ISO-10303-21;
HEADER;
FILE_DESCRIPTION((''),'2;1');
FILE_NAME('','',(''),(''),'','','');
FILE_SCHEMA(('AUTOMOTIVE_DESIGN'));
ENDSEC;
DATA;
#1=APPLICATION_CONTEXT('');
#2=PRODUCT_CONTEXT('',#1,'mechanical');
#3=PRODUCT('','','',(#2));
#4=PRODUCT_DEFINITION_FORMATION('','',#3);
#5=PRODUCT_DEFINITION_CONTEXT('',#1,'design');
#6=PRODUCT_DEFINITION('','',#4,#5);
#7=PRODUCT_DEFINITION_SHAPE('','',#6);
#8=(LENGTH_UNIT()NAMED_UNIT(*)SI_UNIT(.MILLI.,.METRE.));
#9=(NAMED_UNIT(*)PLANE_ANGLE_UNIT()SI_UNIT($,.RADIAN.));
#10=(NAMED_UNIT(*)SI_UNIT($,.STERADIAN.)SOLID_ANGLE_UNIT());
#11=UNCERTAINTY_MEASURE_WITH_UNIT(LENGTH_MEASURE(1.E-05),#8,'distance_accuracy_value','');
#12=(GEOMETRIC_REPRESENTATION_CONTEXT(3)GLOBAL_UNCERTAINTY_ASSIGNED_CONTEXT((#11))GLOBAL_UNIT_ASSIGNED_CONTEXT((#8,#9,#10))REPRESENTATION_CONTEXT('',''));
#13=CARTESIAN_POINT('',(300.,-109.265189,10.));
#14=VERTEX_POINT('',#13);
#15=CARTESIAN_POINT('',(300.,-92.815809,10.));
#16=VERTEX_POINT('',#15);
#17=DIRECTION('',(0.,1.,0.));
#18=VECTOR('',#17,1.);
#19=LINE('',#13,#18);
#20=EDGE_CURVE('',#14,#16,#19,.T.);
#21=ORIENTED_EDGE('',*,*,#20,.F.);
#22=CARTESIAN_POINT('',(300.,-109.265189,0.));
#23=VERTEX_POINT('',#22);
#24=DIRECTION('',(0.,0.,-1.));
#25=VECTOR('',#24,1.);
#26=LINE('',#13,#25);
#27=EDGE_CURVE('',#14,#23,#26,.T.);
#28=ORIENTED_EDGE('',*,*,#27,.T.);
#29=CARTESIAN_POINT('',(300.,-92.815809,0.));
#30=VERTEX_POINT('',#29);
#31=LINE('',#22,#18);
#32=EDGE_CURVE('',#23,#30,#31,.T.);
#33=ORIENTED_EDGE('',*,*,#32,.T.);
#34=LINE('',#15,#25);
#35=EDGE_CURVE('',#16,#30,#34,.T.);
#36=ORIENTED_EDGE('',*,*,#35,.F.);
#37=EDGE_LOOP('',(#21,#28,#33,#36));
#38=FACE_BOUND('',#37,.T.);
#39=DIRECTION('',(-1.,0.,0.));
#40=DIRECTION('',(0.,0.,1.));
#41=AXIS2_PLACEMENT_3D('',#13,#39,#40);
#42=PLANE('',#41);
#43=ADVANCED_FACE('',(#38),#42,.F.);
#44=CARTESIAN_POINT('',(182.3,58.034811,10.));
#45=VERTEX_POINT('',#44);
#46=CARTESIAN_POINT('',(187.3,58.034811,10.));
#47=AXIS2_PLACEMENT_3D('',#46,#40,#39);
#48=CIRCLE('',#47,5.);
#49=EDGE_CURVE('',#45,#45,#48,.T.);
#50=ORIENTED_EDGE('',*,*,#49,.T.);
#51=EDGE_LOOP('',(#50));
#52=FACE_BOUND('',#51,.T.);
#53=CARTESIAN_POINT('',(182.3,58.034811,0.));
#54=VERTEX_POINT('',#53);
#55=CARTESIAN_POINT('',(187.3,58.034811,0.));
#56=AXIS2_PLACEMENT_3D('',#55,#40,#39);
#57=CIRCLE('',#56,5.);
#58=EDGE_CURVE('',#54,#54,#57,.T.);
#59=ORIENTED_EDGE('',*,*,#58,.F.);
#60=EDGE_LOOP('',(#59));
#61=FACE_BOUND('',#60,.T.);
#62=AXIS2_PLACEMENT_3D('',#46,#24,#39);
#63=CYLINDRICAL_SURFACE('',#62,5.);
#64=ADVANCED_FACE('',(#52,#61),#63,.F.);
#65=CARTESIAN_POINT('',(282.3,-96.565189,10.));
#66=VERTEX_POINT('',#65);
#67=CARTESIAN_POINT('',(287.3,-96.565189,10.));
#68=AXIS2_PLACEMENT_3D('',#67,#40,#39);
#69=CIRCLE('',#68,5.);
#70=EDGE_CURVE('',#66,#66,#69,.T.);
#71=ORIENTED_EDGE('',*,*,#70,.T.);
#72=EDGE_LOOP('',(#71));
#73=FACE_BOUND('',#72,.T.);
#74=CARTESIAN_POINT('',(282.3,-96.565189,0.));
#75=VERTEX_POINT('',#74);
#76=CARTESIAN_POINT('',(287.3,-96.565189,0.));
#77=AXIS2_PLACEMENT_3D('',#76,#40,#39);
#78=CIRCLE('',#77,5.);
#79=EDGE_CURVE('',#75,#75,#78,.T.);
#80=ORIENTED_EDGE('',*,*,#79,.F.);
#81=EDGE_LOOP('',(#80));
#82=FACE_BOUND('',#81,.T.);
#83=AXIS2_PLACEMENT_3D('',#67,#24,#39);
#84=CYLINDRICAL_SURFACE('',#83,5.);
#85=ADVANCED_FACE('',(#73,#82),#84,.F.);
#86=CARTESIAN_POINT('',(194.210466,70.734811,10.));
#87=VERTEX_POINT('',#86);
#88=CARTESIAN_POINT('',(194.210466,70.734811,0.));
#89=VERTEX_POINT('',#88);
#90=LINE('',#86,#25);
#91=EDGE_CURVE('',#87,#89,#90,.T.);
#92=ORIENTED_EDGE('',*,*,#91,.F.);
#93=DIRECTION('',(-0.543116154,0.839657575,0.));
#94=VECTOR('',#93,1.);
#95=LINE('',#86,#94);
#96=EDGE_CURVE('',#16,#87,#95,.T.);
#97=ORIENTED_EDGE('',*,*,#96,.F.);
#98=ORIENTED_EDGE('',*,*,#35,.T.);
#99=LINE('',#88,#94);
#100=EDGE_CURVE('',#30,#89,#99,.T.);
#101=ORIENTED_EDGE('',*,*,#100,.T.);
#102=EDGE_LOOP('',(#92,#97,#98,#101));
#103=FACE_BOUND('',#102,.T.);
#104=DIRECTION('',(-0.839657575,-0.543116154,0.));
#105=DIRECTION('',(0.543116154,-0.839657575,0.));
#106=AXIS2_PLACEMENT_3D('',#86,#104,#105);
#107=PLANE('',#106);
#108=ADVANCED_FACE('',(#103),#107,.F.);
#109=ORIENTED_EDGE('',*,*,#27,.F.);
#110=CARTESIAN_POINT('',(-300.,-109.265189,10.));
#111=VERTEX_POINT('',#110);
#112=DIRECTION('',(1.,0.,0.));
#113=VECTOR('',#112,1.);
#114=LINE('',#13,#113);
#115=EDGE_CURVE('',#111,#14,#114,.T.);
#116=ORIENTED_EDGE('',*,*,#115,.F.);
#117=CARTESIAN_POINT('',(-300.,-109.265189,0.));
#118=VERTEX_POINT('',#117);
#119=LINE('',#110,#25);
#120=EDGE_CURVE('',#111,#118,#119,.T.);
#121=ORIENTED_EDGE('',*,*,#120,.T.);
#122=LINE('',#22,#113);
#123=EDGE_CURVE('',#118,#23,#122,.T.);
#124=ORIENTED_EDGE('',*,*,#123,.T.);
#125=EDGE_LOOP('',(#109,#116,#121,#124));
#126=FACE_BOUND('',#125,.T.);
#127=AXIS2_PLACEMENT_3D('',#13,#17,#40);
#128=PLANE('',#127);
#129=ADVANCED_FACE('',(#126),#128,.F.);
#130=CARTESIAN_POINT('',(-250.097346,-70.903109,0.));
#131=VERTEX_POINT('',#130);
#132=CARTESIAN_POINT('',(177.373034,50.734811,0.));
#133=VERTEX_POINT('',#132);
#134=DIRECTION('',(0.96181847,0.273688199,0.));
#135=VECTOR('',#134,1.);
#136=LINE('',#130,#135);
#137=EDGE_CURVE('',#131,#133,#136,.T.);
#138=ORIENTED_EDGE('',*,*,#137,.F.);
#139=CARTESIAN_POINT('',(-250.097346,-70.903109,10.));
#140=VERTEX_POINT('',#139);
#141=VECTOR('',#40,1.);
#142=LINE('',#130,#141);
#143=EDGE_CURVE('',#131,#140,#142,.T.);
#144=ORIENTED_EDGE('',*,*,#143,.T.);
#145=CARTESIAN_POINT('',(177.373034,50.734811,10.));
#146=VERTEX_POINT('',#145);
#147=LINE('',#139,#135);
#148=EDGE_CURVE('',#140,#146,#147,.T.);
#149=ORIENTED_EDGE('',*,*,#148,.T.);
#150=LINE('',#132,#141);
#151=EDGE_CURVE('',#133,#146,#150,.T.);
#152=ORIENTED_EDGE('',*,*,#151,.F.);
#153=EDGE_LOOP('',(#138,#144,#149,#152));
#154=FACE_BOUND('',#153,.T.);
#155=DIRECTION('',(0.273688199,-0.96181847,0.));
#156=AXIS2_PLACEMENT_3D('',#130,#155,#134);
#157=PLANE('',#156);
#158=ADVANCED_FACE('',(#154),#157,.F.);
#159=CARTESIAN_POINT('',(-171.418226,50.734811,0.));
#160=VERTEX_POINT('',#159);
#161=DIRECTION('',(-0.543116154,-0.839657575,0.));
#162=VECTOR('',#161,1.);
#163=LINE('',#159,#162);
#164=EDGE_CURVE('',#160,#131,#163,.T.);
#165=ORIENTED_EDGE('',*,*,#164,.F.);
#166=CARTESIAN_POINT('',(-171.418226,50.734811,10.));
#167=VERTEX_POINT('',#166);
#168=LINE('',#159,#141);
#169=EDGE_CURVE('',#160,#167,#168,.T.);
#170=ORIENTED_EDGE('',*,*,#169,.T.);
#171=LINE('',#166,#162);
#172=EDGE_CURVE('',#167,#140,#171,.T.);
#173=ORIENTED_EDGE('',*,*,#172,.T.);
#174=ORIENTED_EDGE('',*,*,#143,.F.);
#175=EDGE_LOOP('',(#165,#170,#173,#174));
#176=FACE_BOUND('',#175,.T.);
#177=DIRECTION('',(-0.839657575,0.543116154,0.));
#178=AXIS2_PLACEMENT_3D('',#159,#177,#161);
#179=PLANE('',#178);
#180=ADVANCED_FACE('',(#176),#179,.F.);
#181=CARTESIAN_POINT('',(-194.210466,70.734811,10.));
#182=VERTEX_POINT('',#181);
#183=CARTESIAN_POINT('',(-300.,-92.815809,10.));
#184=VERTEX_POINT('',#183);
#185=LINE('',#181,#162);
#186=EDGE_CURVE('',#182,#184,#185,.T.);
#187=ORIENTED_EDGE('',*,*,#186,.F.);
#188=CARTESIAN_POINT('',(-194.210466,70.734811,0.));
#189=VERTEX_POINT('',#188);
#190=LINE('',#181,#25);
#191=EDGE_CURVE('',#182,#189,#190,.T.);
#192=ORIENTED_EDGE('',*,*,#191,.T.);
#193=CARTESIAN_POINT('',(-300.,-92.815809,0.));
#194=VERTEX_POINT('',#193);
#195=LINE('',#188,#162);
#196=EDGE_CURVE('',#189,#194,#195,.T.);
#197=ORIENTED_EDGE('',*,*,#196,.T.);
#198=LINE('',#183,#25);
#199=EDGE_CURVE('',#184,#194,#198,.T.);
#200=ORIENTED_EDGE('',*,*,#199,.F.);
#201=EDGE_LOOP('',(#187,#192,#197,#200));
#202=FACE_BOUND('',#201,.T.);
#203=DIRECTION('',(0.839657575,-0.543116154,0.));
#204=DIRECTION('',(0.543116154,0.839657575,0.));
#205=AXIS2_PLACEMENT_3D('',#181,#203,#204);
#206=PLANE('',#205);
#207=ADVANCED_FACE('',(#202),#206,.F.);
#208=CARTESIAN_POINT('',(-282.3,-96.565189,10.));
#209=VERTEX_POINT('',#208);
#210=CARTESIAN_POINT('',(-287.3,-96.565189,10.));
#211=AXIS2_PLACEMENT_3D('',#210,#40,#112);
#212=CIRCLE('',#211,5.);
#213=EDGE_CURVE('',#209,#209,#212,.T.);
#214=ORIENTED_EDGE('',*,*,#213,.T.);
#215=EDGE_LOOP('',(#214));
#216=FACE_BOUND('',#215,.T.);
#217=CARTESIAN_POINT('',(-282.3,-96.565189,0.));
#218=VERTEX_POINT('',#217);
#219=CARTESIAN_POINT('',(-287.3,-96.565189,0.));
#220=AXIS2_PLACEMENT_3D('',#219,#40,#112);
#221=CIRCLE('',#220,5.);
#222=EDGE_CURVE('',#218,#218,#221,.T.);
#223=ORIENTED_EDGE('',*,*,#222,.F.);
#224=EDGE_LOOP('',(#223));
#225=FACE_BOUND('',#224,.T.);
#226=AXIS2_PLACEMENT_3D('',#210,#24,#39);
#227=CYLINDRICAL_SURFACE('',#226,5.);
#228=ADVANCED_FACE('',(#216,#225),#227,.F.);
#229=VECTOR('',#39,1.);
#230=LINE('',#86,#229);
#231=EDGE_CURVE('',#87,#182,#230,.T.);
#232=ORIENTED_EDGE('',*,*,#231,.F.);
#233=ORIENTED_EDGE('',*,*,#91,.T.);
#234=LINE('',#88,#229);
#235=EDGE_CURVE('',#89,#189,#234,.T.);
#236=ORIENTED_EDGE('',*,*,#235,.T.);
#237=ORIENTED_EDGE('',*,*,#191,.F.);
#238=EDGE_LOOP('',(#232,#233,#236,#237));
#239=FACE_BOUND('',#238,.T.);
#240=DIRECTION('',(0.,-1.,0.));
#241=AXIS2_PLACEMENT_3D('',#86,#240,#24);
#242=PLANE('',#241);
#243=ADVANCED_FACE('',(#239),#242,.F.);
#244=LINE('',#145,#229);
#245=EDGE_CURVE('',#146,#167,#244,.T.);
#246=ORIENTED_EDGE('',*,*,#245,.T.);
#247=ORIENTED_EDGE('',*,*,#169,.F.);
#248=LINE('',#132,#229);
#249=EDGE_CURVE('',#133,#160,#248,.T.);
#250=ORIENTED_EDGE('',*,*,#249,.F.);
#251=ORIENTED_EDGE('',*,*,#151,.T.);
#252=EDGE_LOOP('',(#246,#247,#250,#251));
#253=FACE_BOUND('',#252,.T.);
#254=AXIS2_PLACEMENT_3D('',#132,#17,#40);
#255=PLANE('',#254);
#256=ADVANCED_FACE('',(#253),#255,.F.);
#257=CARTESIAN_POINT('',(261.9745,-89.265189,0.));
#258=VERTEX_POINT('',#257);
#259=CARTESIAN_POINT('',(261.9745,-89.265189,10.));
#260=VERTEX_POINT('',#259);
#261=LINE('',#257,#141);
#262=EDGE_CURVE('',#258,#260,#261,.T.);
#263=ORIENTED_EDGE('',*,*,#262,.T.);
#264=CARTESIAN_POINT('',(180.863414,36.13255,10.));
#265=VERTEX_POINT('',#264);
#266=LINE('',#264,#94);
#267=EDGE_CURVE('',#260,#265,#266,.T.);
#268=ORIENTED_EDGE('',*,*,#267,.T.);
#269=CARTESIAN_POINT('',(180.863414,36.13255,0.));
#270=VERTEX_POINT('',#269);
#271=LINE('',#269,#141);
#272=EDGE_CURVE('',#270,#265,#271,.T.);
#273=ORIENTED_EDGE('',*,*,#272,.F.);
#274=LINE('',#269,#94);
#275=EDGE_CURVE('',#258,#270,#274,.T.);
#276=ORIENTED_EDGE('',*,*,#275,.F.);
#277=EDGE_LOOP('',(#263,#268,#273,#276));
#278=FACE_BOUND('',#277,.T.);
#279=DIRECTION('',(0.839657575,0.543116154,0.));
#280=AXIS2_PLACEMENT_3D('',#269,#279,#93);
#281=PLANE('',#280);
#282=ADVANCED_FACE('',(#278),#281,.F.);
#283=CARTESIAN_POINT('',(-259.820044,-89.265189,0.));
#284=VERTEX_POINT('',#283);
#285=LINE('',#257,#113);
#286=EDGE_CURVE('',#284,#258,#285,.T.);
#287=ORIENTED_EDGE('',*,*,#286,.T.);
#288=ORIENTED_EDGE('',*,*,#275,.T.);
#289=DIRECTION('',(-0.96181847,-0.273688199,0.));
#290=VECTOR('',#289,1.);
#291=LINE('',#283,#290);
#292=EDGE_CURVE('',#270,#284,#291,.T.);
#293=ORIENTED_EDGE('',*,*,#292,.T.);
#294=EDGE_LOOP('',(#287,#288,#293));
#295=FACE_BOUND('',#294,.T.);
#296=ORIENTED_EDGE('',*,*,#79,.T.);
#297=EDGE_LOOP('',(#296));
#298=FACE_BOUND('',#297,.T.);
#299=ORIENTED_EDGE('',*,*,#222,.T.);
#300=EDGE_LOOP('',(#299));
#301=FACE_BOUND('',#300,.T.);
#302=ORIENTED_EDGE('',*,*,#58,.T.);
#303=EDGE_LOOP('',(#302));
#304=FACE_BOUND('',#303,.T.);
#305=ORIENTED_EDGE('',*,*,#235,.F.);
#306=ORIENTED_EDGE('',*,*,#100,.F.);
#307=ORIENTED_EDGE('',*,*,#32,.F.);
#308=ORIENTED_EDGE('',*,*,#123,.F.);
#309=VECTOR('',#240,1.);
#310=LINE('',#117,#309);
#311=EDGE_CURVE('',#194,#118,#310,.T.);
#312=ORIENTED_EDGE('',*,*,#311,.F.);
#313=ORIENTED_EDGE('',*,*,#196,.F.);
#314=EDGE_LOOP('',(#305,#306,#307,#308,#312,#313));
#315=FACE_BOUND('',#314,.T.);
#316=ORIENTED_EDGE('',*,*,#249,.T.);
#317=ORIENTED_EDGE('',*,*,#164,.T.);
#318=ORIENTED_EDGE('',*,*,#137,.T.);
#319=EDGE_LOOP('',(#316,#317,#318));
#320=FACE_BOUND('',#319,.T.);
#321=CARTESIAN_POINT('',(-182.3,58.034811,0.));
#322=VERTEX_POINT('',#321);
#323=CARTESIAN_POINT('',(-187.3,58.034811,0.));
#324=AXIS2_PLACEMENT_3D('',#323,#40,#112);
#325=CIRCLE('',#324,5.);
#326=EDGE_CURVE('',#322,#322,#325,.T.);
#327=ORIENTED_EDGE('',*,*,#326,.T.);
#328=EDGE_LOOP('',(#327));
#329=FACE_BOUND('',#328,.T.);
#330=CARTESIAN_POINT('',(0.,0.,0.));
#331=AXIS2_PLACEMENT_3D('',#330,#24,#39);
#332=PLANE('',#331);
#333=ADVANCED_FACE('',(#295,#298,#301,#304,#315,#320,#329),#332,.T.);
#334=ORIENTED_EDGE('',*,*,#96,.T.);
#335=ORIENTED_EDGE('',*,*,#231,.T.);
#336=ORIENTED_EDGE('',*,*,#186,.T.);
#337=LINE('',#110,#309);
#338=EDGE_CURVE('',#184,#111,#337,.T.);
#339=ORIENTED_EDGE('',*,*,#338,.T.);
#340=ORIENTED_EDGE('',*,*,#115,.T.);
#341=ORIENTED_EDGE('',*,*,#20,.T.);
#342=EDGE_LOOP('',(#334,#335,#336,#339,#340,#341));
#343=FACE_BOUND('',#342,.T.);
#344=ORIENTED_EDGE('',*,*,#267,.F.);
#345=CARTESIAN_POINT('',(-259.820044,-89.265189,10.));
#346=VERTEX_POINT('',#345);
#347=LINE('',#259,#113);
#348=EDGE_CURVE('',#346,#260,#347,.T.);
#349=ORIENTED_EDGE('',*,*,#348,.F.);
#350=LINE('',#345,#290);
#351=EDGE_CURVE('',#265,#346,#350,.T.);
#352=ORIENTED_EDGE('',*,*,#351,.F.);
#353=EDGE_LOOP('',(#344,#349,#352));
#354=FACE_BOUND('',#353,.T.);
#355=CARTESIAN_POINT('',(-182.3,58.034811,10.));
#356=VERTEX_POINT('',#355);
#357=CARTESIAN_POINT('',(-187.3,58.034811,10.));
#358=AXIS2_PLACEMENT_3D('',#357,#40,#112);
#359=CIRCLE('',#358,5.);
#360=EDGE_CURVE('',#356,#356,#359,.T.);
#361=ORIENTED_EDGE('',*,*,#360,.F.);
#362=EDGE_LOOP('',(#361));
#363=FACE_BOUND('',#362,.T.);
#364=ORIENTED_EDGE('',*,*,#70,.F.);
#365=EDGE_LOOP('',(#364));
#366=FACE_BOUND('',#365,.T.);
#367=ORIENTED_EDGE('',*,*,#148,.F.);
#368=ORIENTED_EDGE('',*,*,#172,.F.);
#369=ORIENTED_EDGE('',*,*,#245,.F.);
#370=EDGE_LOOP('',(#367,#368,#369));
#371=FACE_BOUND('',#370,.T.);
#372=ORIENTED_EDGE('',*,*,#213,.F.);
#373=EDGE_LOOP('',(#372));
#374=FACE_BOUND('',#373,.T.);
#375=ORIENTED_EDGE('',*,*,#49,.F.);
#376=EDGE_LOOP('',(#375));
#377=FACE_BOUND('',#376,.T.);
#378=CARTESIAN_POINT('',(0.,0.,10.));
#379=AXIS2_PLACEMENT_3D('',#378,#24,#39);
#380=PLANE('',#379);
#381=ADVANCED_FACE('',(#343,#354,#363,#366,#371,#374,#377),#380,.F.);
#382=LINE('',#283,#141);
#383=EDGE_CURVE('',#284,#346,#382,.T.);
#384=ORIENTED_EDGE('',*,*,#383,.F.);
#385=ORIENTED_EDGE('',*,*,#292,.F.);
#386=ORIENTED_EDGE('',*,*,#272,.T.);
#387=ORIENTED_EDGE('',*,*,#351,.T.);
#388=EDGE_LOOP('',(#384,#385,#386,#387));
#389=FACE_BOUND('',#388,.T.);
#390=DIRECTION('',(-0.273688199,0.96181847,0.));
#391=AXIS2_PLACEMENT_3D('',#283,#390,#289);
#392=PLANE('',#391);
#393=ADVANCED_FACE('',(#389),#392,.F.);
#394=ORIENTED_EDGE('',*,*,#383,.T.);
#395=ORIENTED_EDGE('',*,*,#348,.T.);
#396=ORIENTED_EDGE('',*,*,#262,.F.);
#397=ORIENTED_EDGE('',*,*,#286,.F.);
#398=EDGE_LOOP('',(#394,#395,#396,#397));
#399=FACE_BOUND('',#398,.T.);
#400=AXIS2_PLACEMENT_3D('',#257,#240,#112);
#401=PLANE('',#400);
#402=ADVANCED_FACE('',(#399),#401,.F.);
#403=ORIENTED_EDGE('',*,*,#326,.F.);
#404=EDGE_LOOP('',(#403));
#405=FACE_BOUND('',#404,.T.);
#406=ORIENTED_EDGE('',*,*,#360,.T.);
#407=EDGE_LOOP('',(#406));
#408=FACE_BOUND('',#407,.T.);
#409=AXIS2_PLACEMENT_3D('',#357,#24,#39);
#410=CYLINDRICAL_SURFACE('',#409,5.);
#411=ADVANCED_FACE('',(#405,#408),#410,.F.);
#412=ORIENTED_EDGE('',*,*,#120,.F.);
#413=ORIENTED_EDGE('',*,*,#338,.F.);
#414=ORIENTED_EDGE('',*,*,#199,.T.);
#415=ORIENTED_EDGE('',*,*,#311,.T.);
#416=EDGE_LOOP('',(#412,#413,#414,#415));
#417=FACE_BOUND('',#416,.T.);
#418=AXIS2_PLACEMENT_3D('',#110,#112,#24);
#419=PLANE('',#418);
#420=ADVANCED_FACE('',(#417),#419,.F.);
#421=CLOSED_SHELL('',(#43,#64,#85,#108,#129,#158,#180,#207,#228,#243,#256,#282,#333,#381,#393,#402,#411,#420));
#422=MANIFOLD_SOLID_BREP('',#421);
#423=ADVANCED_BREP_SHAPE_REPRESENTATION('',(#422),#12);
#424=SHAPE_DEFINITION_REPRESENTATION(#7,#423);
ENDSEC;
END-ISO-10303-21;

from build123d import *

# Parameters (mm, degrees)
SKETCH1_R           = 5
BOSS_EXTRUDE1_DEPTH = 10
CUT_EXTRUDE1_DEPTH  = 320.43525409


with BuildPart() as part:
    # Sketch1 → Boss-Extrude1 (new body)
    with BuildSketch(Plane.XY):
        Polygon((300, -109.265189129), (300, -92.815809214), (194.210465663, 70.734810871), (-194.210465663, 70.734810871), (-300, -92.815809214), (-300, -109.265189129), align=None)
        with Locations((-187.3, 58.034810871)):
            Circle(SKETCH1_R, mode=Mode.SUBTRACT)
        with Locations((-287.3, -96.565189129)):
            Circle(SKETCH1_R, mode=Mode.SUBTRACT)
        with Locations(Location((287.3, -96.565189129, 0), (0, 0, 180))):
            Circle(SKETCH1_R, mode=Mode.SUBTRACT)
        with Locations(Location((187.3, 58.034810871, 0), (0, 0, 180))):
            Circle(SKETCH1_R, mode=Mode.SUBTRACT)
    extrude(amount=BOSS_EXTRUDE1_DEPTH)

    # Sketch2 → Cut-Extrude1 (cut, through all)
    with BuildSketch(Plane.XY.offset(10)):
        Polygon((180.863413893, 36.132549959), (261.974499978, -89.265189129), (-259.820043515, -89.265189129), align=None)
        Polygon((-250.097346147, -70.903109306), (177.373034147, 50.734810871), (-171.418225722, 50.734810871), align=None)
    extrude(amount=-CUT_EXTRUDE1_DEPTH, mode=Mode.SUBTRACT)


solid = part.part
